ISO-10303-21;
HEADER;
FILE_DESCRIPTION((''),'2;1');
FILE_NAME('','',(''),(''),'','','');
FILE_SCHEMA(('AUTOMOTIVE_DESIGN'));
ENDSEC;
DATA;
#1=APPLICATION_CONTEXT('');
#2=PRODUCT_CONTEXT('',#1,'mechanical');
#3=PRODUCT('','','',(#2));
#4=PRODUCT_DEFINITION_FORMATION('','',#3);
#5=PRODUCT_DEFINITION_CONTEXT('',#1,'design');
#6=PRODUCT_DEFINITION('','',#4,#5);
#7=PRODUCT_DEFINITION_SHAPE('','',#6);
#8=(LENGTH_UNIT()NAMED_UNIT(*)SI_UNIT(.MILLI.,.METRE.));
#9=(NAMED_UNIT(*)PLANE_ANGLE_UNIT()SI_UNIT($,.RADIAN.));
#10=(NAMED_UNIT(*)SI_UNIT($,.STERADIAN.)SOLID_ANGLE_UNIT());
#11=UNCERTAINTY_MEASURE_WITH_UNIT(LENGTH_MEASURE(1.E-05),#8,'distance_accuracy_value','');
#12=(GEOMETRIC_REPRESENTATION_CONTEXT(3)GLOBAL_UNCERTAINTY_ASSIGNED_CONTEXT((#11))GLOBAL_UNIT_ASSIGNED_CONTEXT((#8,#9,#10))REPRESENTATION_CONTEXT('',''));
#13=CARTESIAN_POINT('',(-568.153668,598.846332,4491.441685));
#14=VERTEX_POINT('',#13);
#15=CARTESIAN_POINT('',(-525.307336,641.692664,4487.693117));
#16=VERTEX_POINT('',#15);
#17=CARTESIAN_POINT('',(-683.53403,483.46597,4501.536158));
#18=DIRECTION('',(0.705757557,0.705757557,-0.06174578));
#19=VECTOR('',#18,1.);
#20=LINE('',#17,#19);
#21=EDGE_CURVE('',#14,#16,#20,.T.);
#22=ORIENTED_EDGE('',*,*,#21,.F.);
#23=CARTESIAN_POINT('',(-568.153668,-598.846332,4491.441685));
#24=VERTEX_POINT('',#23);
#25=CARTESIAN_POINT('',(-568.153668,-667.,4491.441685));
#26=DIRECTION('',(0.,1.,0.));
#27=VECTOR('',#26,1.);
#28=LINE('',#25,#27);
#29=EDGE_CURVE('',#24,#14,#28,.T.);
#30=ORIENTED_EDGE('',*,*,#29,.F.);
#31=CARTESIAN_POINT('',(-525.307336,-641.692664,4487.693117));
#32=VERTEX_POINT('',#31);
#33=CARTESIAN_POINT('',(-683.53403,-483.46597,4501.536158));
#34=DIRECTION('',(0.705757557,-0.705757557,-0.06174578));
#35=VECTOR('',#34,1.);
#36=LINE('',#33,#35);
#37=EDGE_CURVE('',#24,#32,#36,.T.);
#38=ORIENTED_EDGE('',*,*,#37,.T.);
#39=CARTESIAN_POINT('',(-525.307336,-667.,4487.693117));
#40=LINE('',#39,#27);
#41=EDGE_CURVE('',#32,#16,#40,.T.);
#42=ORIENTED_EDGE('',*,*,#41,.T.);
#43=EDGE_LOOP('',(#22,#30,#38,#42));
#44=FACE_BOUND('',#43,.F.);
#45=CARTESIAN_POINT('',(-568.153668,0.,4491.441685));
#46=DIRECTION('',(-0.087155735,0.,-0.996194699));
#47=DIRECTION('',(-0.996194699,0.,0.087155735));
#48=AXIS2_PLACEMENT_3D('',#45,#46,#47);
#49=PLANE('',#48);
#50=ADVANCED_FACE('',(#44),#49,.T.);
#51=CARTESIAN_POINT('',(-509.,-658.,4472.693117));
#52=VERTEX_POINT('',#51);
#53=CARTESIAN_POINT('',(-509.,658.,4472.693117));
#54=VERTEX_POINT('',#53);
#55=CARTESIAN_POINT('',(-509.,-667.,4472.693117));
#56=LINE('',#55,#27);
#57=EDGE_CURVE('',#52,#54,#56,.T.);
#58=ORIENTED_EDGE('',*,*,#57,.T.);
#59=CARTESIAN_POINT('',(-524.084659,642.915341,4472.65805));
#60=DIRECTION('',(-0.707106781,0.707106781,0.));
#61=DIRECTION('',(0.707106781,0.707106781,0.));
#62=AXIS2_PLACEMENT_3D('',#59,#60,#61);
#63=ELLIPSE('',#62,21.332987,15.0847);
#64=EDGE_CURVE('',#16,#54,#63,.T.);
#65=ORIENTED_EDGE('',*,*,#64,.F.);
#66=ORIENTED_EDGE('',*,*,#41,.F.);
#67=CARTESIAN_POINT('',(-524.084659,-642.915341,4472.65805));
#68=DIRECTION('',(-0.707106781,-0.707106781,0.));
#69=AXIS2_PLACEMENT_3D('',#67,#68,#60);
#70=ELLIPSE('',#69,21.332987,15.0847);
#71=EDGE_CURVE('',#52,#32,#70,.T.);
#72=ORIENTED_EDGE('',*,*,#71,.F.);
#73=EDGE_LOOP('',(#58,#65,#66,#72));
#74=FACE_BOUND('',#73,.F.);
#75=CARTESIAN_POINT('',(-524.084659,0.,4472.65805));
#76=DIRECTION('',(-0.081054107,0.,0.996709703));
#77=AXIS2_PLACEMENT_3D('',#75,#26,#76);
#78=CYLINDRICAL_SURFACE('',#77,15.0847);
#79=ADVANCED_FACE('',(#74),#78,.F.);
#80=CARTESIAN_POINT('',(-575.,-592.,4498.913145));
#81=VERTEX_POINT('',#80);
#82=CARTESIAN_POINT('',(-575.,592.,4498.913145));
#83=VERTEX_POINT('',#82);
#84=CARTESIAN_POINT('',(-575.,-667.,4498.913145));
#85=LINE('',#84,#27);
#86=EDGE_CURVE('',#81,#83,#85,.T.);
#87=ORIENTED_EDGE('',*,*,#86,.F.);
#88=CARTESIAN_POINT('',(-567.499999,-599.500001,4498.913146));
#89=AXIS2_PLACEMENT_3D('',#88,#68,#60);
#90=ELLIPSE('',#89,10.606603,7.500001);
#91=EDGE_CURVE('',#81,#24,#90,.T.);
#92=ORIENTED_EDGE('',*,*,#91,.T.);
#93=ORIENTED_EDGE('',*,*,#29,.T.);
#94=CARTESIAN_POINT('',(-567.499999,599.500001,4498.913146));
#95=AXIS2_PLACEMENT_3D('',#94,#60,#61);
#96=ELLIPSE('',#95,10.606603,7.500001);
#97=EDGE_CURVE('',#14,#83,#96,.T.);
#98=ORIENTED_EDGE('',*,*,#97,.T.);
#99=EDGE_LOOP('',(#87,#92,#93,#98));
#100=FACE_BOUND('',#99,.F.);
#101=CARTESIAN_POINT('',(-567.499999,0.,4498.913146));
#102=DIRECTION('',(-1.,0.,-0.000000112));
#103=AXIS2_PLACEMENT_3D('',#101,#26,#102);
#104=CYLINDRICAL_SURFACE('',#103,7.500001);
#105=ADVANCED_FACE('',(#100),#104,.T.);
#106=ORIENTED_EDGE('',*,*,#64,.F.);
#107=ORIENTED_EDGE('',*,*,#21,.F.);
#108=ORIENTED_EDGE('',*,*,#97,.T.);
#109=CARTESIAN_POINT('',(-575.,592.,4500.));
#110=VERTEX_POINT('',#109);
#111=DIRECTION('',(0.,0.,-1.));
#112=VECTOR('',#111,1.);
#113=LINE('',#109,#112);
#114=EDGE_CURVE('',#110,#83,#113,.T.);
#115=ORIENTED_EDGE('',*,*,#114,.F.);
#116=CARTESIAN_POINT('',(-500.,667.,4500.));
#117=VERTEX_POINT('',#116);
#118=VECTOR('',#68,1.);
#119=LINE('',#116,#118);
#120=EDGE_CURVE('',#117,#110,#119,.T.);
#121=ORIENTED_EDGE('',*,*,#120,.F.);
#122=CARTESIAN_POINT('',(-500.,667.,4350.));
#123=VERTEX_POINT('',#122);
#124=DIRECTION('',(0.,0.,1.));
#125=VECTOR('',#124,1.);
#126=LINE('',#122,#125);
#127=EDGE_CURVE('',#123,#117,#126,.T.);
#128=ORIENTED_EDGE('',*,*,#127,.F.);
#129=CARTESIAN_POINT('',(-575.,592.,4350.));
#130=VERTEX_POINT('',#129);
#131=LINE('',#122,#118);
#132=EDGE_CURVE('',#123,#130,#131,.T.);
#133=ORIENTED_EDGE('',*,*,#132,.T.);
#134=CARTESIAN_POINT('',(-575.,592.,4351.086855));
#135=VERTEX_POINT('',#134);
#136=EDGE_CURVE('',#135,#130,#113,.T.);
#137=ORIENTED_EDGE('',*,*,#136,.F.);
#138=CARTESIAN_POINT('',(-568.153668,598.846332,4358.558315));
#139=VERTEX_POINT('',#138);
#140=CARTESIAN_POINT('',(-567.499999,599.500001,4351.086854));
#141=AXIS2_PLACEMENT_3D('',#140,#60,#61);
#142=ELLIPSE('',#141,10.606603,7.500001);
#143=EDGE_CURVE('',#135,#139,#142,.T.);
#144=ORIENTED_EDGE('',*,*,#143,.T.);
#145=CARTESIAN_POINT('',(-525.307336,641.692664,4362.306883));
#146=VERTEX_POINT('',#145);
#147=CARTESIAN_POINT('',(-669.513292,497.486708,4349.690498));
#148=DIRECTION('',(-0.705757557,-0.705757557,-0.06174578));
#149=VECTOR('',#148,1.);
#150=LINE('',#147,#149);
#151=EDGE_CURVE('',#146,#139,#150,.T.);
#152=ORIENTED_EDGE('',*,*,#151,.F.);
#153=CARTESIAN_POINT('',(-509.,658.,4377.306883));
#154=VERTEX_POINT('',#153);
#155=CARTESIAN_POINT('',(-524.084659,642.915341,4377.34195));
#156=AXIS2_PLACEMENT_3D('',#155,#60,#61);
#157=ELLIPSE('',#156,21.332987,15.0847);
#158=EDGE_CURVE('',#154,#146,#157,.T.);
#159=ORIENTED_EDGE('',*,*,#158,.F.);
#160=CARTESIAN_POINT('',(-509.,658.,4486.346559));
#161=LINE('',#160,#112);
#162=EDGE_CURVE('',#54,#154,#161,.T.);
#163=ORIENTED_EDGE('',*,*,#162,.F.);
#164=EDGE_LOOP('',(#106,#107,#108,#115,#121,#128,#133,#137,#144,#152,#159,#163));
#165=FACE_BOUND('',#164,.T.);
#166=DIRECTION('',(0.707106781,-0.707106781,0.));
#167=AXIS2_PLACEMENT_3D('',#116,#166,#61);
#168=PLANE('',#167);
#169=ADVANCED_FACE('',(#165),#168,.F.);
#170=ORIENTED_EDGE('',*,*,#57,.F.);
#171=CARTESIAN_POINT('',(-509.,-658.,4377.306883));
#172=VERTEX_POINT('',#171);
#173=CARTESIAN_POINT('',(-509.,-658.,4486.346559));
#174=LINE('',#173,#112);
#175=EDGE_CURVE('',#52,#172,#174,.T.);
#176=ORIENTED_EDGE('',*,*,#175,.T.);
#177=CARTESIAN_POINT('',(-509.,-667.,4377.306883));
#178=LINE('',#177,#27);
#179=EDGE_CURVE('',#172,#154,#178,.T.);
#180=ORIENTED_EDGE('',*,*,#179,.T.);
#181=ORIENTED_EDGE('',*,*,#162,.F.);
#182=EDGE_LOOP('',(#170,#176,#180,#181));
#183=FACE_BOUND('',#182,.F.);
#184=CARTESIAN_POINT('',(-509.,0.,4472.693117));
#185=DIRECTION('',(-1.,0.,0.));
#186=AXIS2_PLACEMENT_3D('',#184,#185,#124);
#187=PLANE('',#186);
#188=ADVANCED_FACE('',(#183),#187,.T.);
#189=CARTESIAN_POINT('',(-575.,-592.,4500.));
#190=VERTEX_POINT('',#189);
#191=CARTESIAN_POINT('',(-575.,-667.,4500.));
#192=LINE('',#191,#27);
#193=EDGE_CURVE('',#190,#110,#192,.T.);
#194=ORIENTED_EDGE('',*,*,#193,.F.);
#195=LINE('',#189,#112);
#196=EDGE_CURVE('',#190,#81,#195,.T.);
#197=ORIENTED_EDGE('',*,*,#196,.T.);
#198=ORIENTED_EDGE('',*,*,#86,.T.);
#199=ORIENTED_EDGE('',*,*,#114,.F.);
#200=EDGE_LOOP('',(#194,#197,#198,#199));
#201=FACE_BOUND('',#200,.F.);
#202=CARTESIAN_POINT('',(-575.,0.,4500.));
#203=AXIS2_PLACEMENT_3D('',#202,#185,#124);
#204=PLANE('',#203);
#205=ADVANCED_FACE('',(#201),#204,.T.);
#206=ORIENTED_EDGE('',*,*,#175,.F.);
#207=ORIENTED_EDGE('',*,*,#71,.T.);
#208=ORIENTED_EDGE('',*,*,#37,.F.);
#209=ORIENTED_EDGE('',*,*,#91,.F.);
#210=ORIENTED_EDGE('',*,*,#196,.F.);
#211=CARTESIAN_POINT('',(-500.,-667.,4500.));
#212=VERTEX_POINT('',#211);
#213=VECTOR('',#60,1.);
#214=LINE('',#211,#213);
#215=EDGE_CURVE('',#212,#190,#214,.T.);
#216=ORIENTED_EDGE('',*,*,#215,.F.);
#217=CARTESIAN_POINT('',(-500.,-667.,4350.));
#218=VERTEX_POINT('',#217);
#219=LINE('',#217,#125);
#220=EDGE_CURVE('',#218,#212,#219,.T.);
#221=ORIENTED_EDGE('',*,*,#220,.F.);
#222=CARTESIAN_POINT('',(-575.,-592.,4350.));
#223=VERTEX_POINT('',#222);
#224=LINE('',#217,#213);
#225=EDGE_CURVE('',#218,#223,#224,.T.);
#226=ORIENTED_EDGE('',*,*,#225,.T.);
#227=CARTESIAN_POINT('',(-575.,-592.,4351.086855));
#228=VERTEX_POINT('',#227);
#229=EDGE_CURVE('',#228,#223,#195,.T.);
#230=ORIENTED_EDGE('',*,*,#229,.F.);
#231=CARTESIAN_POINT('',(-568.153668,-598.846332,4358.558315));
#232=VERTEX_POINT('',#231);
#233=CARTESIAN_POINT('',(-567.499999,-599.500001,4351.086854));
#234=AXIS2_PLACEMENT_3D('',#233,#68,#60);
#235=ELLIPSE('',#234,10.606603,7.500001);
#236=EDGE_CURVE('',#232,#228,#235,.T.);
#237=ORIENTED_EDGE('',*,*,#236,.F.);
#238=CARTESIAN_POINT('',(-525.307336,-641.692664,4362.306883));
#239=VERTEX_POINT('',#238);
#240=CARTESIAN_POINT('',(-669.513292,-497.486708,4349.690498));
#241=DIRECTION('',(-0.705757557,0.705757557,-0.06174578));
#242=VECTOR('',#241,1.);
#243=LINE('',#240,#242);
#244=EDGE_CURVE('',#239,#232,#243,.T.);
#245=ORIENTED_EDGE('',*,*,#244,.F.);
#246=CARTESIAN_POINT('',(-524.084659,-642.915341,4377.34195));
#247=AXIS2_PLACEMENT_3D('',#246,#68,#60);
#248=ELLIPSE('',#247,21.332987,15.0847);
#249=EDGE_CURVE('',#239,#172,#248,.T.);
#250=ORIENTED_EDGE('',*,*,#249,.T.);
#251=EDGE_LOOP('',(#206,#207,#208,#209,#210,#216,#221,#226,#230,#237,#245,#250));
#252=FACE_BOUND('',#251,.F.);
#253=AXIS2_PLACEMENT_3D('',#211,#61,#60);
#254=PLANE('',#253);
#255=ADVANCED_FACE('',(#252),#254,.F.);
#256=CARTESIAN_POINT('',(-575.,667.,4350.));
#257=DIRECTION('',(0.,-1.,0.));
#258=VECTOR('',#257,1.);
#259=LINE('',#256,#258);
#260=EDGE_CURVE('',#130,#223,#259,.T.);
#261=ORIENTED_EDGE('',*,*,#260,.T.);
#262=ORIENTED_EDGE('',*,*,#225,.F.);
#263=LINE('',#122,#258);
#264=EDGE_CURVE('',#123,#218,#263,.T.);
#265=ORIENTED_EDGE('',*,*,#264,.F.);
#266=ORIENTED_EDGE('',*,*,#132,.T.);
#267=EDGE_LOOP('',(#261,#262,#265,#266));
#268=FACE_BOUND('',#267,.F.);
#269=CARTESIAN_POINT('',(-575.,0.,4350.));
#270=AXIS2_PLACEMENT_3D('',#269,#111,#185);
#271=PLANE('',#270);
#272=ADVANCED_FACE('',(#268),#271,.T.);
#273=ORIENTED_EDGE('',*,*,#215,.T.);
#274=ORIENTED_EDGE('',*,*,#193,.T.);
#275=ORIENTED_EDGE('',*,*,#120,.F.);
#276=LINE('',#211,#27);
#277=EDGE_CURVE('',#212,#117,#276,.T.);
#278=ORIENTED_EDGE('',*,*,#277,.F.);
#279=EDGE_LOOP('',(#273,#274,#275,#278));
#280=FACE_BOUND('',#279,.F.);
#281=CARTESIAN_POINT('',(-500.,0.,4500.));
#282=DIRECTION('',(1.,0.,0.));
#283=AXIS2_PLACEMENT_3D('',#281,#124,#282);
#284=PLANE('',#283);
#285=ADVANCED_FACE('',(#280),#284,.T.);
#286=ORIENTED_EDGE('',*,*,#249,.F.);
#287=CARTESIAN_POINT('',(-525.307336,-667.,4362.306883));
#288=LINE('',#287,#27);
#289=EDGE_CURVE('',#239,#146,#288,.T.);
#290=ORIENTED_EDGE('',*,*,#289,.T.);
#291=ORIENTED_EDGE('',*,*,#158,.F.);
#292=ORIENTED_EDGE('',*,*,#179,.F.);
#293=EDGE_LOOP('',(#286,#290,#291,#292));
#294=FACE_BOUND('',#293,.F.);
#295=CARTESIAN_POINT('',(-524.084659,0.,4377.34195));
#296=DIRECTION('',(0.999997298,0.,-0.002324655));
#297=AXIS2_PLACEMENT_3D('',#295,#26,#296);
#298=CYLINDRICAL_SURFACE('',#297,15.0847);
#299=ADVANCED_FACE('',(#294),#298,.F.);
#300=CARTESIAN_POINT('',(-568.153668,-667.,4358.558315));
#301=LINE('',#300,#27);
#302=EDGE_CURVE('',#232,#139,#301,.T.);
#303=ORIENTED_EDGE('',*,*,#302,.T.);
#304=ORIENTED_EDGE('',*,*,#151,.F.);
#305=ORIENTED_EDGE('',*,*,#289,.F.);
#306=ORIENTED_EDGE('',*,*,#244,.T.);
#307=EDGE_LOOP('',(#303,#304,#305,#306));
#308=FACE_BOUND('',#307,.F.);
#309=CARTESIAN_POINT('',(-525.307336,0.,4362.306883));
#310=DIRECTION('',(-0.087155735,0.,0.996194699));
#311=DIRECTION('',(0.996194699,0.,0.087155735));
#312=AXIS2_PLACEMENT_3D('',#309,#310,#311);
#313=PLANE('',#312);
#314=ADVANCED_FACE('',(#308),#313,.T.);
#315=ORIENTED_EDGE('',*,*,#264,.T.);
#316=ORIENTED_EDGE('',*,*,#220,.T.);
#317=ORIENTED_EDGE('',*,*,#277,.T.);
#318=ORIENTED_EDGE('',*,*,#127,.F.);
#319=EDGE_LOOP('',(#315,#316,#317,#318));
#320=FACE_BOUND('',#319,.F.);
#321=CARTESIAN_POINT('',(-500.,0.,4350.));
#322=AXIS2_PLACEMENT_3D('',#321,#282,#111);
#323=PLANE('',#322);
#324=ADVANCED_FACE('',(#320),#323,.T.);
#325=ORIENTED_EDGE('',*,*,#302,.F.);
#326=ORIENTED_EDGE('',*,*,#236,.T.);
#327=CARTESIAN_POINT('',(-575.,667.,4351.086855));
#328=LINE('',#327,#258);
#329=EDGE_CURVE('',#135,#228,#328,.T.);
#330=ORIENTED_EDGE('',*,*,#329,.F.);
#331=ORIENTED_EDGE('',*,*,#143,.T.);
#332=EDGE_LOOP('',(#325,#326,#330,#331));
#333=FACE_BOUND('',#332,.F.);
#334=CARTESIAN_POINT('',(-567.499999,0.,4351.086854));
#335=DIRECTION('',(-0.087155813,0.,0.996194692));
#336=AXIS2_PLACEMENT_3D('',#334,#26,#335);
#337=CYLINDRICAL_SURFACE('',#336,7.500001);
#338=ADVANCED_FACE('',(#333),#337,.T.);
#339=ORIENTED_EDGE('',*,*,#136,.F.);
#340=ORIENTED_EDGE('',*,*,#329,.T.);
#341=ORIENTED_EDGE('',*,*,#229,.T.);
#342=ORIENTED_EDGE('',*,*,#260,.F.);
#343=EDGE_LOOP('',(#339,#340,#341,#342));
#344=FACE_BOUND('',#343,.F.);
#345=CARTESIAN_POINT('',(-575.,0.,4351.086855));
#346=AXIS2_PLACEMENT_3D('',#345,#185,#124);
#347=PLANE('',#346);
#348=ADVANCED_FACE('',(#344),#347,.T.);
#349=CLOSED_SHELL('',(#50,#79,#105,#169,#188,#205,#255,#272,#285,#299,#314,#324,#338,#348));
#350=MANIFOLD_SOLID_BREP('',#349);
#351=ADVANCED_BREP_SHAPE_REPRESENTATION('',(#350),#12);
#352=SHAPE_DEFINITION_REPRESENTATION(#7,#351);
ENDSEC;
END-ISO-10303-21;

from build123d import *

# Parameters (mm, degrees)
EXTRUDE009_DEPTH = 150
EXTRUDE008_DEPTH = 667


with BuildPart() as extrude009:
    # Sketch010 (on Face2 of Extrude008) → Extrude009 (new body)
    with BuildSketch(Plane.XY.offset(4500)):
        Polygon((500, 667), (575, 592), (575, 667), align=None)
    extrude(amount=-EXTRUDE009_DEPTH)


with BuildPart() as compound008:
    # Mirror008: instance of Extrude009
    add(extrude009.part.mirror(Plane(origin=(300, 0, 0), x_dir=(1, 0, 0), z_dir=(0, 1, 0))))

    # Compound008: union Extrude009
    add(extrude009.part)


with BuildPart() as cut002:
    # ChannelSteel002 → Extrude008 (new body, symmetric)
    with BuildSketch(Plane(origin=(521.664812, 0, 4425), x_dir=(1, 0, 0), z_dir=(0, 1, 0))):
        with BuildLine():
            Line((-21.664812, 75), (-21.664812, -75))
            Line((-21.664812, -75), (53.335188, -75))
            Line((53.335188, -75), (53.335188, -73.913145))
            ThreePointArc((53.335188, -73.913145), (51.364768, -68.846219), (46.488856, -66.441685))
            Line((46.488856, -66.441685), (3.642524, -62.693117))
            ThreePointArc((3.642524, -62.693117), (-7.792334, -58.760281), (-12.664812, -47.693117))
            Line((-12.664812, -47.693117), (-12.664812, 47.693117))
            ThreePointArc((-12.664812, 47.693117), (-7.792334, 58.760281), (3.642524, 62.693117))
            Line((3.642524, 62.693117), (46.488856, 66.441685))
            ThreePointArc((46.488856, 66.441685), (51.364768, 68.846219), (53.335188, 73.913145))
            Line((53.335188, 73.913145), (53.335188, 75))
            Line((53.335188, 75), (-21.664812, 75))
        make_face()
    extrude(amount=EXTRUDE008_DEPTH, both=True)

    # Cut002: cut Compound008
    add(compound008.part, mode=Mode.SUBTRACT)


with BuildPart() as cut002_mirrored:
    # Mirror009: instance of Cut002
    add(cut002.part.mirror(Plane(origin=(0, -600, 0), x_dir=(0, -1, 0), z_dir=(1, 0, 0))))


solid = cut002_mirrored.part
